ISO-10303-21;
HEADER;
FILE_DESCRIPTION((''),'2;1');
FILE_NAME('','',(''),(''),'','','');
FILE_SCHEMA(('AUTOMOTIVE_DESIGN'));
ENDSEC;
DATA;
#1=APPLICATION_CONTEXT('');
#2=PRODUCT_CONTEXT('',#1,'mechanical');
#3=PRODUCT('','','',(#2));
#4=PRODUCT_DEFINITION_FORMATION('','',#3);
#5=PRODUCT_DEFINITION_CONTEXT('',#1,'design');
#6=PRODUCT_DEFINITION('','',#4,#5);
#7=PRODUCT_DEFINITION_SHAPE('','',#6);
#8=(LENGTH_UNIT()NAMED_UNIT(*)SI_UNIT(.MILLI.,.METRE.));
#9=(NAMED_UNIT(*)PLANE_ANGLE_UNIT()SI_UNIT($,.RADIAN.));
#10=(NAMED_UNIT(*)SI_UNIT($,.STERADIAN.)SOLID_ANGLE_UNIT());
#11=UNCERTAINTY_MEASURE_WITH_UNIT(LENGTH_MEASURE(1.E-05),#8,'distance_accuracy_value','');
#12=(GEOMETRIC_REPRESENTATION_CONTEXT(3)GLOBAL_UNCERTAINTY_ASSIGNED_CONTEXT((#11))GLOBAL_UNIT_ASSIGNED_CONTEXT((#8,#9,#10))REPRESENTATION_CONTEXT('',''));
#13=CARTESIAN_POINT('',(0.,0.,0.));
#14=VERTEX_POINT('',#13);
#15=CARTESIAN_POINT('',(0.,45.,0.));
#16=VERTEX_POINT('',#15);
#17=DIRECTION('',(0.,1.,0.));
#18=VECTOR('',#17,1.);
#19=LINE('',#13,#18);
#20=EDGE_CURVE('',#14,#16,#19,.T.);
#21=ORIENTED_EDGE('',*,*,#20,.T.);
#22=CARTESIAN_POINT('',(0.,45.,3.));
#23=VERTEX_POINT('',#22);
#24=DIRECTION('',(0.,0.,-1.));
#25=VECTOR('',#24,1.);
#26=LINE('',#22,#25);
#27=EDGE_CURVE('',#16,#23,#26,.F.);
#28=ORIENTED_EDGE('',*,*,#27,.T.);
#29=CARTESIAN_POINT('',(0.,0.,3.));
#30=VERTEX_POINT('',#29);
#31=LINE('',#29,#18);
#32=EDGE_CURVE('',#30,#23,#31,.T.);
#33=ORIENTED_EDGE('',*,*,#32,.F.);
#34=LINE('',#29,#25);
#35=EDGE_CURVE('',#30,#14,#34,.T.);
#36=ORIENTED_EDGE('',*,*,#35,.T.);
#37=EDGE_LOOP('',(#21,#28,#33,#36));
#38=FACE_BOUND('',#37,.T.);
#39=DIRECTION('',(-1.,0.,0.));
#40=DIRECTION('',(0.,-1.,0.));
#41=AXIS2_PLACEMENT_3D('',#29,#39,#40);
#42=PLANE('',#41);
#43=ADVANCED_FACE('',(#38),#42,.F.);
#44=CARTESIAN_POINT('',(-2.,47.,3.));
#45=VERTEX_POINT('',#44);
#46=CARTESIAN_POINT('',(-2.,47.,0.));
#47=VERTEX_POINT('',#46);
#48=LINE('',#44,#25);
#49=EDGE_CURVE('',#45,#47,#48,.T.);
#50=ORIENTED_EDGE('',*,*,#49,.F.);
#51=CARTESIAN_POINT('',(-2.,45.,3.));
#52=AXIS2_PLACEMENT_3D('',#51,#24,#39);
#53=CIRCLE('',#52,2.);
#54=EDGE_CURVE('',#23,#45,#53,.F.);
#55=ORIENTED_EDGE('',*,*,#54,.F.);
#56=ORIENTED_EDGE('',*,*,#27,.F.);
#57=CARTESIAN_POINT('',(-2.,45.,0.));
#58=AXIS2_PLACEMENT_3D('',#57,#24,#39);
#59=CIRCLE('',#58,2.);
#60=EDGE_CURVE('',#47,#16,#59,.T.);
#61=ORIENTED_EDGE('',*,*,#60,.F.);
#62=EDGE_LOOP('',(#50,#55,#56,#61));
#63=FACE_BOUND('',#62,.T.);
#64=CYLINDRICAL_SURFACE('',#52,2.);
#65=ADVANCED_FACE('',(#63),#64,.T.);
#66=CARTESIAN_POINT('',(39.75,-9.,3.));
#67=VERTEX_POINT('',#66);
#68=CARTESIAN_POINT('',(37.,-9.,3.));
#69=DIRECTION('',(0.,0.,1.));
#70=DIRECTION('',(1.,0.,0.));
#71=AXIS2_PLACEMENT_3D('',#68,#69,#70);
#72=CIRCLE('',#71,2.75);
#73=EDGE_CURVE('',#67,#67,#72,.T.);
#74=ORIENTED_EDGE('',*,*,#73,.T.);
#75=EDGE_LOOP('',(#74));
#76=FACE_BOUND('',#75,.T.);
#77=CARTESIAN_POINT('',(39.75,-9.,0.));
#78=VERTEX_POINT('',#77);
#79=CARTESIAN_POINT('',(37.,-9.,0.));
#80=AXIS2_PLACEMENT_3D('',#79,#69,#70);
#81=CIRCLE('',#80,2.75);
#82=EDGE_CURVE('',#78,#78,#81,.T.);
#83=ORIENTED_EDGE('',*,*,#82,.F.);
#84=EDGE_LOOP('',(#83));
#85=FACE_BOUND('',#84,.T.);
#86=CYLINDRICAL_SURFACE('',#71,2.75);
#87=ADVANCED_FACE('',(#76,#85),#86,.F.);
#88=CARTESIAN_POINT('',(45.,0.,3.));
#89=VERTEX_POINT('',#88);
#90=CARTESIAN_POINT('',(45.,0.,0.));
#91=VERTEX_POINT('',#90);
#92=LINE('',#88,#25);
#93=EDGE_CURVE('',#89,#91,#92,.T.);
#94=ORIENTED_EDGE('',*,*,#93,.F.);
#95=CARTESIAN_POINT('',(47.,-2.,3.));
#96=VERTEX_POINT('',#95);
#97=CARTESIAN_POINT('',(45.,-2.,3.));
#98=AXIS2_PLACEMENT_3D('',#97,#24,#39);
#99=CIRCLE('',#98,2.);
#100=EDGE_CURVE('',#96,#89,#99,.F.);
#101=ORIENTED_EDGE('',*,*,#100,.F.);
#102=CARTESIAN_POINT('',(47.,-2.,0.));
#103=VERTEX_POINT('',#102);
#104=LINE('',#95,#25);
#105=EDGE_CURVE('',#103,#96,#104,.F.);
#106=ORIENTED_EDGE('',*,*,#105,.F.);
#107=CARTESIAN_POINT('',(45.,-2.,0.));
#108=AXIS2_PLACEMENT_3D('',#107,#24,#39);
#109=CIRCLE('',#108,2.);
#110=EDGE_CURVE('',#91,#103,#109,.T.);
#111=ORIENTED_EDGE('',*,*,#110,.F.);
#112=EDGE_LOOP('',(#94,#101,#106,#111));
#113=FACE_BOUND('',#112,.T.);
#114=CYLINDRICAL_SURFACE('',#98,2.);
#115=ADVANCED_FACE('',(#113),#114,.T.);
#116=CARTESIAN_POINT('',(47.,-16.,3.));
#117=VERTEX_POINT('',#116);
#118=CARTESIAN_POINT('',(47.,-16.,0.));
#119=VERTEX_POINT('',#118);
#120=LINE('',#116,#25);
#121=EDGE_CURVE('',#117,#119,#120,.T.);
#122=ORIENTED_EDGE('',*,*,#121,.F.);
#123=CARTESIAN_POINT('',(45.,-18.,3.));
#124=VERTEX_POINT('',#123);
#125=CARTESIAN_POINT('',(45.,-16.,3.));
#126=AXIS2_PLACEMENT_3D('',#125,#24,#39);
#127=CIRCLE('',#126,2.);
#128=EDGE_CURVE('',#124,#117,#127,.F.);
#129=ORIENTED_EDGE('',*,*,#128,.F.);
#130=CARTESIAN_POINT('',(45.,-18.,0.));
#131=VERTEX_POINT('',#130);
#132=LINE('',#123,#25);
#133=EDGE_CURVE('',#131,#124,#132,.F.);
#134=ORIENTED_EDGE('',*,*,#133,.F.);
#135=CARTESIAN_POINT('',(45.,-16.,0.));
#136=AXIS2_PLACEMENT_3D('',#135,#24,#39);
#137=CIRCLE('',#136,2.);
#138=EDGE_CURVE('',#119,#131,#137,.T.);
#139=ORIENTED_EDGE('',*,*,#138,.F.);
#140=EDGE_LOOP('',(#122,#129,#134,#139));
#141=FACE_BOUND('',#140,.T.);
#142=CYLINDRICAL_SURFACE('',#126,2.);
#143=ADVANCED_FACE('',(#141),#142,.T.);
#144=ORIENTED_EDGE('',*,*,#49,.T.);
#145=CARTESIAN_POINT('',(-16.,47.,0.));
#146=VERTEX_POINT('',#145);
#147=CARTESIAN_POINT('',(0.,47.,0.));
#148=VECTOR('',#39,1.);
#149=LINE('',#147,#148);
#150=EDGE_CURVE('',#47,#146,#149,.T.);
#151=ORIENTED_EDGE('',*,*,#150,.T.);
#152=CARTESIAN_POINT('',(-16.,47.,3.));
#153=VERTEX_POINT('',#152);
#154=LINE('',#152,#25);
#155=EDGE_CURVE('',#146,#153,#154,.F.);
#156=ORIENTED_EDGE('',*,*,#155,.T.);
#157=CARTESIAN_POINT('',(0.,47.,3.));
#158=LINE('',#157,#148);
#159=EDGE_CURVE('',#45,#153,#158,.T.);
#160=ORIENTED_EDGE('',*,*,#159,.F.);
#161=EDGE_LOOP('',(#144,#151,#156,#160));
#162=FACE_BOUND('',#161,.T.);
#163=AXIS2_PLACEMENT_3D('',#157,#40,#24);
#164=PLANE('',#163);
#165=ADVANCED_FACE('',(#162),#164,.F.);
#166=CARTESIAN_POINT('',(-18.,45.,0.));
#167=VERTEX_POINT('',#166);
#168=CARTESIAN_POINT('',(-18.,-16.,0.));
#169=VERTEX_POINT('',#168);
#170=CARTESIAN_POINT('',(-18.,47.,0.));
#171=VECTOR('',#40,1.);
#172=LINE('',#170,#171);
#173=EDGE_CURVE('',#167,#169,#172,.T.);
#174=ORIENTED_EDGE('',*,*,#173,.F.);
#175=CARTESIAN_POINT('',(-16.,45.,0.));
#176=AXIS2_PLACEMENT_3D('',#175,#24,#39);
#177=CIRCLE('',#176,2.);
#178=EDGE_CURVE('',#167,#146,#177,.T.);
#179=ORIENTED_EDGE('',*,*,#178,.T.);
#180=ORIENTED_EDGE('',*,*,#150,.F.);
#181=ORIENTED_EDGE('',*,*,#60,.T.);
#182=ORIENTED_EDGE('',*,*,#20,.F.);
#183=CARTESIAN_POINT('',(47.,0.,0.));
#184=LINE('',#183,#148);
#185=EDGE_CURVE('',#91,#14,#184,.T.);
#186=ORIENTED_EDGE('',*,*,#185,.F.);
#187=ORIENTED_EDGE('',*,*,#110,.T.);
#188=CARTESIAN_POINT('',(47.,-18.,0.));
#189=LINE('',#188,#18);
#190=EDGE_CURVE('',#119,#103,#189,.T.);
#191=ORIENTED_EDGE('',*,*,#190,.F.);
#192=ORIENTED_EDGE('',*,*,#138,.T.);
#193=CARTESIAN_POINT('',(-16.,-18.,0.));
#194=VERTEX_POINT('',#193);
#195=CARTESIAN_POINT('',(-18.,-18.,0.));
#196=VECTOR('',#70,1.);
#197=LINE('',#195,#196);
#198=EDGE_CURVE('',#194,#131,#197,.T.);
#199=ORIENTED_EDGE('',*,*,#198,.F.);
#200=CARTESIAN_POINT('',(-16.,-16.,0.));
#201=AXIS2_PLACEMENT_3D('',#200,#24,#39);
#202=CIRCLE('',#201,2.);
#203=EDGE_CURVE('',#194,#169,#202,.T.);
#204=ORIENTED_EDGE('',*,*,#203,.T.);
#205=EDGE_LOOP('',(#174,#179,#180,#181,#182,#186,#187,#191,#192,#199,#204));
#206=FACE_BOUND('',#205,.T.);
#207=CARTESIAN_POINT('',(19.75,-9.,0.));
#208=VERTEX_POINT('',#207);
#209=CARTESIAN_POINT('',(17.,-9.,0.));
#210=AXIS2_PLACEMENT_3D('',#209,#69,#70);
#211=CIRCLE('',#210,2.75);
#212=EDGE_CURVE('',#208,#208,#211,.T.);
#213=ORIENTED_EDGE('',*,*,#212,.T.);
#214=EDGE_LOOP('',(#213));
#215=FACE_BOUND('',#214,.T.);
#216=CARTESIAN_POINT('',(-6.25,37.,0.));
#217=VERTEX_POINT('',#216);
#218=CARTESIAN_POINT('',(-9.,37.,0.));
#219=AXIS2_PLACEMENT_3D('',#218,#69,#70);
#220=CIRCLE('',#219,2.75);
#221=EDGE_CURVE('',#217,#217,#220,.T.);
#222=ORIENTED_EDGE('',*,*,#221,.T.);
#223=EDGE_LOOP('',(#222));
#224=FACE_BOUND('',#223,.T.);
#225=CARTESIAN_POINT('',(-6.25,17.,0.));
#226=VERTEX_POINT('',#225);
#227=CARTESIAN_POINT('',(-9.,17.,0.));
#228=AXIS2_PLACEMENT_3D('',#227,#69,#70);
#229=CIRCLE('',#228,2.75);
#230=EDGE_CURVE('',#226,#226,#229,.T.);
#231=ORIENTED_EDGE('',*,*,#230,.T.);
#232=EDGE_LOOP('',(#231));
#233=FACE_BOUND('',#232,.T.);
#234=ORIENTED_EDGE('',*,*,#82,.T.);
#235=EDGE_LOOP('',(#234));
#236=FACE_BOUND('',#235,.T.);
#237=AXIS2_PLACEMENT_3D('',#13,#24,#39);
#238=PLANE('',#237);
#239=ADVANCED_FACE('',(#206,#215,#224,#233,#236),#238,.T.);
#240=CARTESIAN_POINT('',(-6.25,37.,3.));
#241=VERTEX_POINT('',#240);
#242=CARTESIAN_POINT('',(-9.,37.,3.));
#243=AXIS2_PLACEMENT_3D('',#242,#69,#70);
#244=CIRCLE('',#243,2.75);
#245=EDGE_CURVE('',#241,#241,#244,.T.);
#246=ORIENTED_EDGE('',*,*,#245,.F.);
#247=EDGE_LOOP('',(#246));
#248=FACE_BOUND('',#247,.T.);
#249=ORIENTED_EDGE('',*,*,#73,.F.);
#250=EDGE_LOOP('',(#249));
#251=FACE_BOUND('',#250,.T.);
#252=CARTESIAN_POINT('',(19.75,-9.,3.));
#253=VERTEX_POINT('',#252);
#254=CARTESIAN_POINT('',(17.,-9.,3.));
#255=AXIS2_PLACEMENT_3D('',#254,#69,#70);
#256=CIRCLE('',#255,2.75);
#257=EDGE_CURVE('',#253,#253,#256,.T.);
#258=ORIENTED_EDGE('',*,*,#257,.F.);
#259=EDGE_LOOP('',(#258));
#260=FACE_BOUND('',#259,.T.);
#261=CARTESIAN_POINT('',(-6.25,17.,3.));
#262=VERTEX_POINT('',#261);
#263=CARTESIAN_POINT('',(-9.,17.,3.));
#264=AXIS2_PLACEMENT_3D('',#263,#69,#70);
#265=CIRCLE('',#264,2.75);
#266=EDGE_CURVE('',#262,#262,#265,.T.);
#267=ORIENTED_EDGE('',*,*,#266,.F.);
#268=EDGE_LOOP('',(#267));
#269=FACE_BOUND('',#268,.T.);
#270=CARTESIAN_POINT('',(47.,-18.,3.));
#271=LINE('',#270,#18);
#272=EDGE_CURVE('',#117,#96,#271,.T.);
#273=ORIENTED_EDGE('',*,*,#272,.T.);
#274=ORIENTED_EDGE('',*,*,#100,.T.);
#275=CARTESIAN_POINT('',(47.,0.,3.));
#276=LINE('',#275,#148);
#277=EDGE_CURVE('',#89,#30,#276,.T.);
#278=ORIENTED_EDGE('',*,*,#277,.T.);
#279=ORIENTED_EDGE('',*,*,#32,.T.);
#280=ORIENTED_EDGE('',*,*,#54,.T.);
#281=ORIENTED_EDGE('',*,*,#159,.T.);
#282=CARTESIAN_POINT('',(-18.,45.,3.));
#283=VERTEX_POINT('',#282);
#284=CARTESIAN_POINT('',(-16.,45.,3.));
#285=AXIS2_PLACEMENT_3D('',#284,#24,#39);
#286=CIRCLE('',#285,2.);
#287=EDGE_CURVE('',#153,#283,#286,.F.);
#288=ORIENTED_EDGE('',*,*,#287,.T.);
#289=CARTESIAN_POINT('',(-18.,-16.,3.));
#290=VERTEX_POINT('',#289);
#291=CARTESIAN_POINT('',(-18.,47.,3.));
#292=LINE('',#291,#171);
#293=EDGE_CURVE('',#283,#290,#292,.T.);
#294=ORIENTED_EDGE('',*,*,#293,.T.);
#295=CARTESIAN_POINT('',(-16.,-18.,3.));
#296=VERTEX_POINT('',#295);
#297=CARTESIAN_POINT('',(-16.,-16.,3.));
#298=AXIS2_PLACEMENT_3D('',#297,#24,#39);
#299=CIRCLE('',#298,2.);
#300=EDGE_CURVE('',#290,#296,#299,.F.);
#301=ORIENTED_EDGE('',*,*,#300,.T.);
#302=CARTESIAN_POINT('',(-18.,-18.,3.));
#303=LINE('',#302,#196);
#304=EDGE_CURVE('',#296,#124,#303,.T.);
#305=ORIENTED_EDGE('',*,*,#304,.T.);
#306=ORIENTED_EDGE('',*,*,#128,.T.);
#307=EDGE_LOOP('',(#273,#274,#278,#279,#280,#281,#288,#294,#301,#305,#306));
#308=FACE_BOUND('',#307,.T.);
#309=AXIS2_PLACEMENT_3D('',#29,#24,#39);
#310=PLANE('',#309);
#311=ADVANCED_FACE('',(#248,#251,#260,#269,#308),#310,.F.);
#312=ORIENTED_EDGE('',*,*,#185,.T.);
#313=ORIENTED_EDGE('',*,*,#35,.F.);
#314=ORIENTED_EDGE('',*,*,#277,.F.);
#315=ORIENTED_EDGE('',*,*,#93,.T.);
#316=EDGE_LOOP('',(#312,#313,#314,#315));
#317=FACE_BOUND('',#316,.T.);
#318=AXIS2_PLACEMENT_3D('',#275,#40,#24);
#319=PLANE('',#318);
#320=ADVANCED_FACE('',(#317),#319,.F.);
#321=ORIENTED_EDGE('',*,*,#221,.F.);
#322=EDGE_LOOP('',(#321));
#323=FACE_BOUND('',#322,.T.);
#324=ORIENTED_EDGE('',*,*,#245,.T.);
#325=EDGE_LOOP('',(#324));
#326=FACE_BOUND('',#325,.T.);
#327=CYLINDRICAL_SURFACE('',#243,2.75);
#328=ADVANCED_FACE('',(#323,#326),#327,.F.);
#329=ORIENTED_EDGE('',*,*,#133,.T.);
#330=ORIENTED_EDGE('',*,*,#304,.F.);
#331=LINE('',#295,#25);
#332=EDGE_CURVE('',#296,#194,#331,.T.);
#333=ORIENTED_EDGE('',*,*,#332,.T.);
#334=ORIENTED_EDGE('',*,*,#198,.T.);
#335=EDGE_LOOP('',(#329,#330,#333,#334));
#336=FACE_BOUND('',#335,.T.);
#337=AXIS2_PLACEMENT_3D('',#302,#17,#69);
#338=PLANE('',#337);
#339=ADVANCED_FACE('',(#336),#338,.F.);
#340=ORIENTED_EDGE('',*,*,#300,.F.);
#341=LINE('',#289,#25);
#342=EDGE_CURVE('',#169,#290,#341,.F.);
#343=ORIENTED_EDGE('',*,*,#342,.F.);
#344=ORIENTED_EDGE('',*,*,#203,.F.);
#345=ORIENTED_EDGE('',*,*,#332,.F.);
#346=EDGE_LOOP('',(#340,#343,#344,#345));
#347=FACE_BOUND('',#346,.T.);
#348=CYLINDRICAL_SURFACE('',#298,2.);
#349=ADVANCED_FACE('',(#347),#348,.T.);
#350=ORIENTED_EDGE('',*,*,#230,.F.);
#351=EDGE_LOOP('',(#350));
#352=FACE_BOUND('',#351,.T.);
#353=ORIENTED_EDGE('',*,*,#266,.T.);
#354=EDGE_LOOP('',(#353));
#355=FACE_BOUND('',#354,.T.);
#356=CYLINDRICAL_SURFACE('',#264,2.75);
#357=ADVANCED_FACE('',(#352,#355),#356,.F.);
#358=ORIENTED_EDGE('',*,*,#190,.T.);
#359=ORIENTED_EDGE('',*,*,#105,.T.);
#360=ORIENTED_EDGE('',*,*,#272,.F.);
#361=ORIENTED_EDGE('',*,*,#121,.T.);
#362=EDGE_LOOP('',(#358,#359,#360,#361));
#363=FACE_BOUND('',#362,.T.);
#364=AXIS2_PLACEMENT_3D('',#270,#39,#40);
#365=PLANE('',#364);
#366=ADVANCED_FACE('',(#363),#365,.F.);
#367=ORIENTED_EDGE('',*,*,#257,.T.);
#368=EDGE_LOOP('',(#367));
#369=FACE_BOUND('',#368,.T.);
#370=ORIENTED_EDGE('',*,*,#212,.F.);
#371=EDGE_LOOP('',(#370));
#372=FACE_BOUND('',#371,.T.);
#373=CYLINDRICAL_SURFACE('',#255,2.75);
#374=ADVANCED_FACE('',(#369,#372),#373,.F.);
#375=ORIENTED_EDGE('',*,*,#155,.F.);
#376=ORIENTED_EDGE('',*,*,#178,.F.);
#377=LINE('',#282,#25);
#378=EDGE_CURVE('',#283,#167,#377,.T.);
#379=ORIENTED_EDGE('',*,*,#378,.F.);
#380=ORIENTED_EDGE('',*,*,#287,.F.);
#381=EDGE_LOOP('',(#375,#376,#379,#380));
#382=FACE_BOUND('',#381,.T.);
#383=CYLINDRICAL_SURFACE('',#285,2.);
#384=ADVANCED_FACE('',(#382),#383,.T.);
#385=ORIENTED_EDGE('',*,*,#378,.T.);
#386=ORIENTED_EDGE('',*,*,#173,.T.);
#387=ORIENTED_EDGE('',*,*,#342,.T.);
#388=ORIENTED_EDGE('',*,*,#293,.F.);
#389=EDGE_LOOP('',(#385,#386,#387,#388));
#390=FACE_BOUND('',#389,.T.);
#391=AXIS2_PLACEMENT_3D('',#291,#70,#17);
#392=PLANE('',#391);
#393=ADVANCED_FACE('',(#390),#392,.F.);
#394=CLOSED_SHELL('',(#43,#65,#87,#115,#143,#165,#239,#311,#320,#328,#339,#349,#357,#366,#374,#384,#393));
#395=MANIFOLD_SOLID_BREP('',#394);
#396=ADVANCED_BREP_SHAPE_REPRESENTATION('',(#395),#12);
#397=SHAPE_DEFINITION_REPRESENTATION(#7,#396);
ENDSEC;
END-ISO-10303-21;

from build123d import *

# Parameters (mm, degrees)
AUFSATZ_LINEAR_AUSTRAGEN1_DEPTH = 3
DURCHGANGSLOCH_F_R_M51_D        = 5.5
VERRUNDUNG1_R                   = 2


with BuildPart() as part:
    # Skizze1 → Aufsatz-Linear austragen1 (new body)
    with BuildSketch(Plane.XY):
        Polygon((0, 0), (0, 47), (-18, 47), (-18, -18), (47, -18), (47, 0), align=None)
    extrude(amount=AUFSATZ_LINEAR_AUSTRAGEN1_DEPTH)

    # Durchgangsloch für M51 (through all)
    with Locations(Plane.XY.offset(3)):
        with Locations((17, -9), (-9, 37), (-9, 17), (37, -9)):
            Hole(DURCHGANGSLOCH_F_R_M51_D / 2)

    # Verrundung1
    verrundung1_edges = [part.edges().sort_by_distance(p)[0] for p in [
        (47, 0, 1.5),
        (47, -18, 1.5),
        (-18, -18, 1.5),
        (-18, 47, 1.5),
        (0, 47, 1.5),
    ]]
    fillet(verrundung1_edges, radius=VERRUNDUNG1_R)


solid = part.part
